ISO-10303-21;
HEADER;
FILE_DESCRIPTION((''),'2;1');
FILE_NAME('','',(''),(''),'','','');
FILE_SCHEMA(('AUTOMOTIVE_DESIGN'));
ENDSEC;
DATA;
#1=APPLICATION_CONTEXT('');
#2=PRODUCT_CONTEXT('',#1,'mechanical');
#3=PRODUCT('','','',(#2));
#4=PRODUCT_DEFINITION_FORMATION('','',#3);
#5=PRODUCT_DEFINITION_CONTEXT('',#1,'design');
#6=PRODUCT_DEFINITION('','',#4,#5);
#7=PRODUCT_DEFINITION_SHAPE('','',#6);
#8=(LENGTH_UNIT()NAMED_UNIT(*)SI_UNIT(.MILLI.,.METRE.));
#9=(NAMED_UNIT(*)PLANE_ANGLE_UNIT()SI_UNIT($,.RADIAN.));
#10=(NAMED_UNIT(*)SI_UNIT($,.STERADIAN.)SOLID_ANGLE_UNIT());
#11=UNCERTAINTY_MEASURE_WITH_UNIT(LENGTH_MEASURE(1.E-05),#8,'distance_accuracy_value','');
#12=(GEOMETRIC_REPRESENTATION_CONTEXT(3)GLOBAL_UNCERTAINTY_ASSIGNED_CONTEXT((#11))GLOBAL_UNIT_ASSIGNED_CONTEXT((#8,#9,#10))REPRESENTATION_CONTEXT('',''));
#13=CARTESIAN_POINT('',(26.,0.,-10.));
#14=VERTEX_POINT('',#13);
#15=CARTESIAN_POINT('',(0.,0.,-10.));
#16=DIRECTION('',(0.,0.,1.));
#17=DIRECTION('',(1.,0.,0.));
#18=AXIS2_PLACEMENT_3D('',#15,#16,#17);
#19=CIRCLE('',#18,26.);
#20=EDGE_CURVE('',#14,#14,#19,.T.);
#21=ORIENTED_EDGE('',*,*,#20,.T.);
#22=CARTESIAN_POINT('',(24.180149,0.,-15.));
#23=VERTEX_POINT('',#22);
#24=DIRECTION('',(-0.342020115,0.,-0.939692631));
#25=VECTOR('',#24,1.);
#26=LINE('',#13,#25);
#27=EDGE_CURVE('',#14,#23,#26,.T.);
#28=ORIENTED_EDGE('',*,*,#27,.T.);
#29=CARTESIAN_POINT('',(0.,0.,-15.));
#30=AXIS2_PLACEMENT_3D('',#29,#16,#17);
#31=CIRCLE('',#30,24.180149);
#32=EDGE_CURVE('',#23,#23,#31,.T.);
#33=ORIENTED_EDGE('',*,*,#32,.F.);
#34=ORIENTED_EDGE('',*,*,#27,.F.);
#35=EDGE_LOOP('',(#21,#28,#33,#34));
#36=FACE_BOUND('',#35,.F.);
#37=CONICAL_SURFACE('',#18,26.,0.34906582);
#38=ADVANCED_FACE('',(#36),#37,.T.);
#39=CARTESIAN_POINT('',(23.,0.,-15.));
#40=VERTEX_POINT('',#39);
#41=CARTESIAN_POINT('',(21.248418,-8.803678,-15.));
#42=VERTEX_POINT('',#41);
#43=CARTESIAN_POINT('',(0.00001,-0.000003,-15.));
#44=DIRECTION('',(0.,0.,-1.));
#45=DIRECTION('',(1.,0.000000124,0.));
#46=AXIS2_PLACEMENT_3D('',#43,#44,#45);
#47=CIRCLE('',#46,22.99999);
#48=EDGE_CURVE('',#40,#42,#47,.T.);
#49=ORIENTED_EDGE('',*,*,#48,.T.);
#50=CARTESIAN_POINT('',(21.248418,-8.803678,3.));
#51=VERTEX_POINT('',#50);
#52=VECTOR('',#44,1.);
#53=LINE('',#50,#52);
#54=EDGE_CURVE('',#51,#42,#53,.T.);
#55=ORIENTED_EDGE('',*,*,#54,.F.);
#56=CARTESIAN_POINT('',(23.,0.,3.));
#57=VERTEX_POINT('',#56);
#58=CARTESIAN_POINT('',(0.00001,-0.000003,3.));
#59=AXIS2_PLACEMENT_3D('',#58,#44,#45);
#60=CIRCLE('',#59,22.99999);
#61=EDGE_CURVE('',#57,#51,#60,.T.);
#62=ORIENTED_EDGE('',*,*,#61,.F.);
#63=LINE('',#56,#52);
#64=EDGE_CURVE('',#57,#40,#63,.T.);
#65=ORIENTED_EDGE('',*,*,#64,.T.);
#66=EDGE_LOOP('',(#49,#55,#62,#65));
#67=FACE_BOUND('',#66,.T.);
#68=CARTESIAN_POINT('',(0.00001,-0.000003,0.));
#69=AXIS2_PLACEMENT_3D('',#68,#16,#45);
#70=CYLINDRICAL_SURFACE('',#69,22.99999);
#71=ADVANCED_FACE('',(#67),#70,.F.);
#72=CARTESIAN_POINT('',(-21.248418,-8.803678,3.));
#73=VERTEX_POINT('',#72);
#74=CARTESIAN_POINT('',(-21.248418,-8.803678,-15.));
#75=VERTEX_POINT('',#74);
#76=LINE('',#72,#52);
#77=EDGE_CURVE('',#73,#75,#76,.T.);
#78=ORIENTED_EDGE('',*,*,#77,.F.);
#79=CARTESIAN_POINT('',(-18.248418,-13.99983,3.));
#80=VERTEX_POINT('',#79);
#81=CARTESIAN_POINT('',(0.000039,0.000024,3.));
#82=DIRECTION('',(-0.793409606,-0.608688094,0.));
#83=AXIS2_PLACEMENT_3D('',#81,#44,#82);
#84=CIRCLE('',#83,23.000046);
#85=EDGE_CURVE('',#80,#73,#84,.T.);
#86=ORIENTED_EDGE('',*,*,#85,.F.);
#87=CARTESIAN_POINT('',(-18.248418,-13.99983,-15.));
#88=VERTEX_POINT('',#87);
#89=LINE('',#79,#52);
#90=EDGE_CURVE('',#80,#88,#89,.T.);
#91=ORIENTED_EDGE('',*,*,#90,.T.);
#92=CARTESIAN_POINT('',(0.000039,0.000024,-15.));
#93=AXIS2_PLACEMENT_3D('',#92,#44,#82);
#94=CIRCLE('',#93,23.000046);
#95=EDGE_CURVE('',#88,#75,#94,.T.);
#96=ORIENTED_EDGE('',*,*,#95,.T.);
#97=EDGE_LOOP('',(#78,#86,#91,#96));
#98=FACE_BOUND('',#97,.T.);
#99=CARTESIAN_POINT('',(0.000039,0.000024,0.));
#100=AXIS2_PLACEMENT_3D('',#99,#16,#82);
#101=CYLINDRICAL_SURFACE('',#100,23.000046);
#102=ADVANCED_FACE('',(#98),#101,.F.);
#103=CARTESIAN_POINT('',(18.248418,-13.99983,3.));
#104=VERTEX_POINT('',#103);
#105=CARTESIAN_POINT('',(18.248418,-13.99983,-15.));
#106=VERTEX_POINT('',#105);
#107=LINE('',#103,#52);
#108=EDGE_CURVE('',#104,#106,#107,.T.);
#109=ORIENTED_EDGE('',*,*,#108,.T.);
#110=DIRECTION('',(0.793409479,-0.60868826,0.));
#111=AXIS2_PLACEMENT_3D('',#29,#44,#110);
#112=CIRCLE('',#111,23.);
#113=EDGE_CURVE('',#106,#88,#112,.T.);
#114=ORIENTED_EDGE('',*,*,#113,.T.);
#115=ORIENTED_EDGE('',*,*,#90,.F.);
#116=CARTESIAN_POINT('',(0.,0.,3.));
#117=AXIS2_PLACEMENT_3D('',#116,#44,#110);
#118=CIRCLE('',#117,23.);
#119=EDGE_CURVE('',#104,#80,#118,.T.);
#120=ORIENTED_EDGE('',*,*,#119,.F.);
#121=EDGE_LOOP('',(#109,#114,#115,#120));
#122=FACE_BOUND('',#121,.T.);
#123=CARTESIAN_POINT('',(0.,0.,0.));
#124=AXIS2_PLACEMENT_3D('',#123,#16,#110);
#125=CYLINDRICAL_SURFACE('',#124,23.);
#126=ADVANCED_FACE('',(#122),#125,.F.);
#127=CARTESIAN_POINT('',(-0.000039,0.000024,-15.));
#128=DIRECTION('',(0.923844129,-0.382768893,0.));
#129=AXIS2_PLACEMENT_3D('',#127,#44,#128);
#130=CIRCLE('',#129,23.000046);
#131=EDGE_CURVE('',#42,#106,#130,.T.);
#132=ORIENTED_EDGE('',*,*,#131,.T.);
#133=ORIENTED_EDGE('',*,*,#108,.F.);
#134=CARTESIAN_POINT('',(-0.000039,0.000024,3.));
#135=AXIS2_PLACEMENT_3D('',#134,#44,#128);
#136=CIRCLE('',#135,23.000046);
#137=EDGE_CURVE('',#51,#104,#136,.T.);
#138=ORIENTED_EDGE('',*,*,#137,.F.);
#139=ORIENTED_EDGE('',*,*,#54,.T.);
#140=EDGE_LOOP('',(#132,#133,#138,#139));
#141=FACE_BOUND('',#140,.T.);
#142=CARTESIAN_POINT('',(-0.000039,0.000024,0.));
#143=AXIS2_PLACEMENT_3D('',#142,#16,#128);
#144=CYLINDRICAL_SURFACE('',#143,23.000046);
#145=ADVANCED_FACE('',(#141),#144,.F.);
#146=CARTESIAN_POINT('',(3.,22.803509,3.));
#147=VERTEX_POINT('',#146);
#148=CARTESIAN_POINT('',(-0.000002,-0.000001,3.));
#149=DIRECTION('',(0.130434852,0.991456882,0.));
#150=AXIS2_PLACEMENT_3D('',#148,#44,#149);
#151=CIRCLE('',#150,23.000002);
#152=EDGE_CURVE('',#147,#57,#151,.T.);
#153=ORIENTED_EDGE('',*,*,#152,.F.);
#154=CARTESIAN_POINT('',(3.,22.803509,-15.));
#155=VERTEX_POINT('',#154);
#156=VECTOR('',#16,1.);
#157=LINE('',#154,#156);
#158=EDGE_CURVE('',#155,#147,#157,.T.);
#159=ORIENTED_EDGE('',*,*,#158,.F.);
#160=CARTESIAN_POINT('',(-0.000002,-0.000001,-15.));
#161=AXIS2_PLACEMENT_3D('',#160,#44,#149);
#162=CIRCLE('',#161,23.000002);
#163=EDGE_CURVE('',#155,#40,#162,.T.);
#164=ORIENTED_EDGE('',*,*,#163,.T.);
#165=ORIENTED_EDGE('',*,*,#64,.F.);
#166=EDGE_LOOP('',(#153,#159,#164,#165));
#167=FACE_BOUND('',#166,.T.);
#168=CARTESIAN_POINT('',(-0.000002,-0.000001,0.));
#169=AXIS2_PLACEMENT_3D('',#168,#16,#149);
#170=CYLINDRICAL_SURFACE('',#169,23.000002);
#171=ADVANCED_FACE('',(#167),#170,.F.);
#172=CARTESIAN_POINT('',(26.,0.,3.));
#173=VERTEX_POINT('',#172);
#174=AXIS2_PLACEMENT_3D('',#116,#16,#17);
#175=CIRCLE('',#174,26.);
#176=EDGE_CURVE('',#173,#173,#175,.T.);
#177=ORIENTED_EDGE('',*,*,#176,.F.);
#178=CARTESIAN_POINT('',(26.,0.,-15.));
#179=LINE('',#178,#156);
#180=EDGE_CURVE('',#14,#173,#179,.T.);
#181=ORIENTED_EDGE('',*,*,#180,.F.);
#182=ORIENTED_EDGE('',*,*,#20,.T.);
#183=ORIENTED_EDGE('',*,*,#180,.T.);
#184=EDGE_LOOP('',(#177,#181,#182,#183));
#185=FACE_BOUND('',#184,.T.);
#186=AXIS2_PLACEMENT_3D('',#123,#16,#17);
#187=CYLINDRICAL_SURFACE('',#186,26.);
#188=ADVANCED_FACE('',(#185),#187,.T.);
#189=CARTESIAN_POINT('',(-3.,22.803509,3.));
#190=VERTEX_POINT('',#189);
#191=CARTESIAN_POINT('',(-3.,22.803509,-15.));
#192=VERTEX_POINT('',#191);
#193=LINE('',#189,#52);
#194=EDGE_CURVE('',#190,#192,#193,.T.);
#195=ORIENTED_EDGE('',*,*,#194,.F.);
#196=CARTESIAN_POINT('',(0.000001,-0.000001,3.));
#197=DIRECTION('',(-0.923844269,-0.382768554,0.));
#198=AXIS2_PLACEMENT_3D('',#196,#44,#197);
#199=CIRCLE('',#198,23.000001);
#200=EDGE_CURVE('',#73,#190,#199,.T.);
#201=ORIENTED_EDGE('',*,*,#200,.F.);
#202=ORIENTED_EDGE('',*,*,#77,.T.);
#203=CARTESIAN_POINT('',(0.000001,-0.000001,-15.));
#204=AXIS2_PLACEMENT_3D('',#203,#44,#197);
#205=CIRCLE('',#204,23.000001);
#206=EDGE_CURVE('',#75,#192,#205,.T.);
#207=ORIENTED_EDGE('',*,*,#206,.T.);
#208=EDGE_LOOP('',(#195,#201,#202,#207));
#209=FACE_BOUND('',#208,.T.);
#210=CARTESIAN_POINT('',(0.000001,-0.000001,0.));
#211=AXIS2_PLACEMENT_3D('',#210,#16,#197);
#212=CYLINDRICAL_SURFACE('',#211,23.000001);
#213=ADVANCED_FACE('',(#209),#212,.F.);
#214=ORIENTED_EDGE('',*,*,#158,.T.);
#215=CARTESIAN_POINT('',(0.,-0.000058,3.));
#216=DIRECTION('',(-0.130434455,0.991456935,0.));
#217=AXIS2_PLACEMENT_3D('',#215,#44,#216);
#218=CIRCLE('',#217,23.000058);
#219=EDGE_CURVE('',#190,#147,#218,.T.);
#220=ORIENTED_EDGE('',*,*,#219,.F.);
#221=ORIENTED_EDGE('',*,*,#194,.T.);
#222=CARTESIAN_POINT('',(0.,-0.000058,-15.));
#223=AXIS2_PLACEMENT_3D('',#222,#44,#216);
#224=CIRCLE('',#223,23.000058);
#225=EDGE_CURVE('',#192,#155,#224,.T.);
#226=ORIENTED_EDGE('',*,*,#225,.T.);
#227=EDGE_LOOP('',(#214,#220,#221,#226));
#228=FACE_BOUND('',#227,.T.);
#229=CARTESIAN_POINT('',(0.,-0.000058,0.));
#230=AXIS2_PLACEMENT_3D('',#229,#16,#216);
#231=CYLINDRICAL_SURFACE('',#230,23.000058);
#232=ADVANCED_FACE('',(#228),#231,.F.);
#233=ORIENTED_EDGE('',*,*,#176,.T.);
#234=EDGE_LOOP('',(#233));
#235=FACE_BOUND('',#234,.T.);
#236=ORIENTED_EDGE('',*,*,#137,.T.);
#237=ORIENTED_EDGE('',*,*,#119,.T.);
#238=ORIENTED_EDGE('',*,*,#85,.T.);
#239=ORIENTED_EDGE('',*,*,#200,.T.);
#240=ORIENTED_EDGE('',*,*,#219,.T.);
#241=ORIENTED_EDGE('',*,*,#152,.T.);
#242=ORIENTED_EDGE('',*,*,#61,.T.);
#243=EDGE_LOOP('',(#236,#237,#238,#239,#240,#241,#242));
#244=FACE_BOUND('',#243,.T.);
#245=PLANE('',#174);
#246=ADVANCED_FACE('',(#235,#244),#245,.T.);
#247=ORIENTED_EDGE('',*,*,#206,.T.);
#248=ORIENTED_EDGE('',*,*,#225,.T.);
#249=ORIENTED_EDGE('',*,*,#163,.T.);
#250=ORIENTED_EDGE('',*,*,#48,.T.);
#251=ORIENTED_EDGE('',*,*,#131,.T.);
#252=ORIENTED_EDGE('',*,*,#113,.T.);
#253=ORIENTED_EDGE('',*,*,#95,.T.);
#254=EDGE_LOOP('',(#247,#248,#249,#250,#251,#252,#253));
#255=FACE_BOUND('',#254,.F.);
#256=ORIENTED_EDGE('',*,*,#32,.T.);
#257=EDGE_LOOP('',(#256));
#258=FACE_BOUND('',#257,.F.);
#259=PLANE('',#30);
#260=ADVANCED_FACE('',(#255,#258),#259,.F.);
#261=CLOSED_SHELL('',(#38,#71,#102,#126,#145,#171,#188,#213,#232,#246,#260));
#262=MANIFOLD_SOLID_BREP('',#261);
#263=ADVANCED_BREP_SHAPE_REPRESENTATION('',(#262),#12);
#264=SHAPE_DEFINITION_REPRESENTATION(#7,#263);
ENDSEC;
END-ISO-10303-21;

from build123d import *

# Parameters (mm, degrees)
F0_R     = 26
F1_DEPTH = 3
F2_DEPTH = 15
F3_SIZE2 = 1.819851
F3_SIZE  = 5


with BuildPart() as f1:
    # F0 (on Top) → F1 (new body)
    with BuildSketch(Plane.XY):
        Circle(F0_R)
        with BuildLine():
            ThreePointArc((3, 22.803509), (17.291616, 15.165751), (23, 0))
            ThreePointArc((23, 0), (22.557855, -4.488117), (21.248418, -8.803678))
            ThreePointArc((21.248418, -8.803678), (19.918584, -11.5), (18.248418, -13.99983))
            ThreePointArc((18.248418, -13.99983), (0, -23), (-18.248418, -13.99983))
            ThreePointArc((-18.248418, -13.99983), (-19.918584, -11.5), (-21.248418, -8.803678))
            ThreePointArc((-21.248418, -8.803678), (-19.918584, 11.5), (-3, 22.803509))
            ThreePointArc((-3, 22.803509), (0, 23), (3, 22.803509))
        make_face(mode=Mode.SUBTRACT)
    extrude(amount=F1_DEPTH)

    # F0 (on Top) → F2 (join)
    with BuildSketch(Plane.XY):
        Circle(F0_R)
        with BuildLine():
            ThreePointArc((3, 22.803509), (17.291616, 15.165751), (23, 0))
            ThreePointArc((23, 0), (22.557855, -4.488117), (21.248418, -8.803678))
            ThreePointArc((21.248418, -8.803678), (19.918584, -11.5), (18.248418, -13.99983))
            ThreePointArc((18.248418, -13.99983), (0, -23), (-18.248418, -13.99983))
            ThreePointArc((-18.248418, -13.99983), (-19.918584, -11.5), (-21.248418, -8.803678))
            ThreePointArc((-21.248418, -8.803678), (-19.918584, 11.5), (-3, 22.803509))
            ThreePointArc((-3, 22.803509), (0, 23), (3, 22.803509))
        make_face(mode=Mode.SUBTRACT)
    extrude(amount=-F2_DEPTH)

    # F3
    f3_edges = [f1.edges().sort_by_distance(p)[0] for p in [
        (-26, 0, -15),
    ]]
    chamfer(f3_edges, length=F3_SIZE, length2=F3_SIZE2)


solid = f1.part
